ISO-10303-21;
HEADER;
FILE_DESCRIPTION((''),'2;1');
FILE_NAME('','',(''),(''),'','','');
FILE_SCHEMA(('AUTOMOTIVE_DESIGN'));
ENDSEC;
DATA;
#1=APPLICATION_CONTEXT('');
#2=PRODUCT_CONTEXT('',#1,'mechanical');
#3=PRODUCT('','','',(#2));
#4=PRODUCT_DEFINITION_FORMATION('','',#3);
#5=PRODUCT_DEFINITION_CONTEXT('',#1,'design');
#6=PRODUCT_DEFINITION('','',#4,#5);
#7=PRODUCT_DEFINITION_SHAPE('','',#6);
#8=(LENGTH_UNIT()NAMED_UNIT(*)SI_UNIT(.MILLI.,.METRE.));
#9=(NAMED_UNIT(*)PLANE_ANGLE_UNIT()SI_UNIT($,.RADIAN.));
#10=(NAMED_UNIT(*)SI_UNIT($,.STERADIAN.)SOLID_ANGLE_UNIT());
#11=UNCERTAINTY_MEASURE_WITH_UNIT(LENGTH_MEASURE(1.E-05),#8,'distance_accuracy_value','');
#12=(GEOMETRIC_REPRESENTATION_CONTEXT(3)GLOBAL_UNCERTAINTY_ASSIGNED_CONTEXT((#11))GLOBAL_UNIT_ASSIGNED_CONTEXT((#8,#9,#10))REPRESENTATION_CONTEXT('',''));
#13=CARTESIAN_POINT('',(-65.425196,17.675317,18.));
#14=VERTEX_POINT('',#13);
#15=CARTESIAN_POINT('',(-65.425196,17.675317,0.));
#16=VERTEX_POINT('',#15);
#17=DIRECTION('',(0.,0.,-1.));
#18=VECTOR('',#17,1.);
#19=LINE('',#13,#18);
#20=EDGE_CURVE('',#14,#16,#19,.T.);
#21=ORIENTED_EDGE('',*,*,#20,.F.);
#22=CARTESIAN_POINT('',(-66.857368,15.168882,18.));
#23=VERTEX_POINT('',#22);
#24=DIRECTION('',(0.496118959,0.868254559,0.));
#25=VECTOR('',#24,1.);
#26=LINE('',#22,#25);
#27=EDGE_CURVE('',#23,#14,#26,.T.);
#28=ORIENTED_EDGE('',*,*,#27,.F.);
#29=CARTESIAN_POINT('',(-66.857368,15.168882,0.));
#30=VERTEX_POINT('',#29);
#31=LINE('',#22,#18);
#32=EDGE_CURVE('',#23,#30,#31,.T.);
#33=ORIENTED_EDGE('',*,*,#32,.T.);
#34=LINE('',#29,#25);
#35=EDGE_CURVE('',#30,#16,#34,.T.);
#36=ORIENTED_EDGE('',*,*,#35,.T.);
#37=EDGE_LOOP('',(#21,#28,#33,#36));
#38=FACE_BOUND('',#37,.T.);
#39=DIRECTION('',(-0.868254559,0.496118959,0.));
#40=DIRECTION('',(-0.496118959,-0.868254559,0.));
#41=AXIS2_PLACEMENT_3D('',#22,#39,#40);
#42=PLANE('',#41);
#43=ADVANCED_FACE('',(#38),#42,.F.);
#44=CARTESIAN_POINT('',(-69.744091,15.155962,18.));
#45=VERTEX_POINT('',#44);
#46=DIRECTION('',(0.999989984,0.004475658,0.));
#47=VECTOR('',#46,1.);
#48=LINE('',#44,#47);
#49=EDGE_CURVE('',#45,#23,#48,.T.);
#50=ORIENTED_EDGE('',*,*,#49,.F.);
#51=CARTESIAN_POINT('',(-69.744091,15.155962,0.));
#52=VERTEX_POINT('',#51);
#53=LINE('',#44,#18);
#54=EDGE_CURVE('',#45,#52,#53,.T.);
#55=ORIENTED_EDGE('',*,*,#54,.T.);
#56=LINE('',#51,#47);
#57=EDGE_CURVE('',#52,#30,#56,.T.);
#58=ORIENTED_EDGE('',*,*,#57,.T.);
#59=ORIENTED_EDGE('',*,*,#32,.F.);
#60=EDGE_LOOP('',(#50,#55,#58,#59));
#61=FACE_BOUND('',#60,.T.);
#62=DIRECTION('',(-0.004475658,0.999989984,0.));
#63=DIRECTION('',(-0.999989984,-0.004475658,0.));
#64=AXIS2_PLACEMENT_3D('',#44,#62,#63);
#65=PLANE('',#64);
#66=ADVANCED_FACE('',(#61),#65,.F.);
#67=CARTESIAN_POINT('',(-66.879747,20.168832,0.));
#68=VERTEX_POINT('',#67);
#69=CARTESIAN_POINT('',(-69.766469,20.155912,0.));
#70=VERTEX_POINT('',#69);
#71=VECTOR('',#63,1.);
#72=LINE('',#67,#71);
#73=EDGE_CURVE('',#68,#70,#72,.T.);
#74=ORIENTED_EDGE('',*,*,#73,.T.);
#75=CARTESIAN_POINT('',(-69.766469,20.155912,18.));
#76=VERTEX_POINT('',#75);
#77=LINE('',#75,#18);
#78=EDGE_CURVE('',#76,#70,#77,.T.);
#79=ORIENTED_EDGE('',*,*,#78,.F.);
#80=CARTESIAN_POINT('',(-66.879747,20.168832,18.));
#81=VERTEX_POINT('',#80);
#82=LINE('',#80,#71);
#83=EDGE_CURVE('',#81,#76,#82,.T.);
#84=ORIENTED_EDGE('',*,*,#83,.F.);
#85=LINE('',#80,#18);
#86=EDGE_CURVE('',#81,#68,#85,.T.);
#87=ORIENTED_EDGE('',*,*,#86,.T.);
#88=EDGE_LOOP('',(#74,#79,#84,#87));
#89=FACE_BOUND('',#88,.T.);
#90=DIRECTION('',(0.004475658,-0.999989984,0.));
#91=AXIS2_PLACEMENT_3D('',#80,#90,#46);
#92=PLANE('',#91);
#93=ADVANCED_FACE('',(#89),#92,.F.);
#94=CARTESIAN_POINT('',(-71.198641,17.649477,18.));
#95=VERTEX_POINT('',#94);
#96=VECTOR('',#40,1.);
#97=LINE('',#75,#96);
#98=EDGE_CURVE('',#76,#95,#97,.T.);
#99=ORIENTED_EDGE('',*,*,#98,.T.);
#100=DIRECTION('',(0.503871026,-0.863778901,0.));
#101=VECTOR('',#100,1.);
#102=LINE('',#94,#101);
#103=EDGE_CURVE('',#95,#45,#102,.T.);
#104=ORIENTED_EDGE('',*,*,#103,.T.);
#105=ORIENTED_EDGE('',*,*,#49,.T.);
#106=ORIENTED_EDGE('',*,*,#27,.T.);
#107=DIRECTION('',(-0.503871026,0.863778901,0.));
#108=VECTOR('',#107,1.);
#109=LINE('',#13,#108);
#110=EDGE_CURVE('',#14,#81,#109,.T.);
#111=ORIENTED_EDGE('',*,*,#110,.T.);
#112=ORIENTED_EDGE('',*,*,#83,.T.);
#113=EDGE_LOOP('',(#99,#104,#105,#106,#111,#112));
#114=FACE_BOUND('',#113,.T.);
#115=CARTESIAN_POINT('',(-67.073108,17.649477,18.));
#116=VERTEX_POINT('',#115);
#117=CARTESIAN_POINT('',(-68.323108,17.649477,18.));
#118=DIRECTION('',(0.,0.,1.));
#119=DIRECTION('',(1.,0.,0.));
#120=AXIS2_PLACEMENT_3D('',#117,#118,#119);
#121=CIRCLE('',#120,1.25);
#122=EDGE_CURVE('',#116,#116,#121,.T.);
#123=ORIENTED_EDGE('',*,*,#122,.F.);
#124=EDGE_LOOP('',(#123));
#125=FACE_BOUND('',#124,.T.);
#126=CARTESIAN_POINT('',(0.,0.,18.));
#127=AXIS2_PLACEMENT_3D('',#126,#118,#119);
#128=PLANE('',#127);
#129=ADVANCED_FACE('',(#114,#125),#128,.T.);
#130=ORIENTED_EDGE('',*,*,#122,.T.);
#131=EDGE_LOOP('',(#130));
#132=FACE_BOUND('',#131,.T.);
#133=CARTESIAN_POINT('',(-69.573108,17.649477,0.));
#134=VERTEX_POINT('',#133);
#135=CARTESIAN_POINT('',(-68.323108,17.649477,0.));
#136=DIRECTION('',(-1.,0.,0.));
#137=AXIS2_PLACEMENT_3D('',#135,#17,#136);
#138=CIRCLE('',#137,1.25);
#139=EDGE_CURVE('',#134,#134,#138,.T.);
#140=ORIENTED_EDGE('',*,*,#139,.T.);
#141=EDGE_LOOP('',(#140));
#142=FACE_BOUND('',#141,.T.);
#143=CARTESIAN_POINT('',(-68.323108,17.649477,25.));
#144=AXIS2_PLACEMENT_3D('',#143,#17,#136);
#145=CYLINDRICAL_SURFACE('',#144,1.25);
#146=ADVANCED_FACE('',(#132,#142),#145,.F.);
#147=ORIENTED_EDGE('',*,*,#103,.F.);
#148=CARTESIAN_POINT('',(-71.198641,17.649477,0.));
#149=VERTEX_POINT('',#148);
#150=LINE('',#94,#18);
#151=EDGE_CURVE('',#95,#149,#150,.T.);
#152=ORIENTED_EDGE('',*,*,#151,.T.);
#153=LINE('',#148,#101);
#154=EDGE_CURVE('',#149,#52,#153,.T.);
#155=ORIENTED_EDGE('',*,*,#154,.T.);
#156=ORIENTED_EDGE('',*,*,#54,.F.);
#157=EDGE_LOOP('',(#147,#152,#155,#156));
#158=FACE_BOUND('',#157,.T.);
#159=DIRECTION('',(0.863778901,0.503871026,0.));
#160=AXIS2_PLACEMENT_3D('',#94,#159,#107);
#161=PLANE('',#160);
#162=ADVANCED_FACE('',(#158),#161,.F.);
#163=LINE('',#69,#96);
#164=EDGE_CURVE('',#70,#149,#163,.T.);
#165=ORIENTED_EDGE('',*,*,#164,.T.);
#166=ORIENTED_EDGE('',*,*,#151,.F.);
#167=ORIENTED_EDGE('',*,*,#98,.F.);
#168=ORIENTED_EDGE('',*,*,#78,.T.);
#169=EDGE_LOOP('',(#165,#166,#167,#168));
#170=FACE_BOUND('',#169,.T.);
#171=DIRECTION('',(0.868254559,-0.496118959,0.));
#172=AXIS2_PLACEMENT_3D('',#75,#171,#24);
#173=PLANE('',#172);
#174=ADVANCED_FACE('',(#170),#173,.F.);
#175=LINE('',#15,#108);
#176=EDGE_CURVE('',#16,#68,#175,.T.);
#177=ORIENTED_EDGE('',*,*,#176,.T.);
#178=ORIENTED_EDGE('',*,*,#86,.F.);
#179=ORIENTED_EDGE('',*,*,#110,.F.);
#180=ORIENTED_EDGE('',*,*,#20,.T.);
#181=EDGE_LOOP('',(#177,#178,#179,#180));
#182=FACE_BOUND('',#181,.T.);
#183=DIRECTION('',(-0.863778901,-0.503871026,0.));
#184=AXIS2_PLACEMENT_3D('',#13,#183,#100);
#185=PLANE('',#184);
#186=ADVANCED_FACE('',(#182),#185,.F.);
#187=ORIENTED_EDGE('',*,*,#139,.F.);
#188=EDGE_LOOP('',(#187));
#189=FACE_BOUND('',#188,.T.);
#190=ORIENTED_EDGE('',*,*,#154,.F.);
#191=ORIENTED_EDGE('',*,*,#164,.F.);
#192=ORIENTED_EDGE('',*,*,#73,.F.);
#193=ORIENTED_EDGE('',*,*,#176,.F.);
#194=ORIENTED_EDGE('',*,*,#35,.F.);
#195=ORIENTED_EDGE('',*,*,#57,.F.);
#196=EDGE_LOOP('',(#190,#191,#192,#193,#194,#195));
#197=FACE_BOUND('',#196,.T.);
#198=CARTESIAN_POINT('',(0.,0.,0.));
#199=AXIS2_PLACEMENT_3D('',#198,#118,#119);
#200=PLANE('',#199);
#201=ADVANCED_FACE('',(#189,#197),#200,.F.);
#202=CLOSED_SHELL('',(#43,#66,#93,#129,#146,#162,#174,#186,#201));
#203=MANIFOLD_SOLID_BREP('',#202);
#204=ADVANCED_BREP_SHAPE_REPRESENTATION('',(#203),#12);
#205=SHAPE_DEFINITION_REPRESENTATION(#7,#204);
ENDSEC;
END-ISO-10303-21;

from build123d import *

# Parameters (mm, degrees)
EXTRUDE_1_DEPTH     = 18
SKETCH_2_R          = 1.25
CUT_EXTRUDE_1_DEPTH = 25


with BuildPart() as part:
    # 草图1 → 凸台-拉伸1 (new body)
    with BuildSketch(Plane.XY):
        Polygon((-66.857368384, 15.168882337), (-65.425196312, 17.675317354), (-66.879746674, 20.168832258), (-69.766469106, 20.155912147), (-71.198641178, 17.649477131), (-69.744090817, 15.155962226), align=None)
    extrude(amount=EXTRUDE_1_DEPTH)

    # 草图2 → 切除-拉伸1 (cut)
    with BuildSketch(Plane(origin=(0, 0, 0), x_dir=(-1, 0, 0), z_dir=(0, 0, -1))):
        with Locations((68.32310789, 17.649477131)):
            Circle(SKETCH_2_R)
    extrude(amount=-CUT_EXTRUDE_1_DEPTH, mode=Mode.SUBTRACT)


solid = part.part
